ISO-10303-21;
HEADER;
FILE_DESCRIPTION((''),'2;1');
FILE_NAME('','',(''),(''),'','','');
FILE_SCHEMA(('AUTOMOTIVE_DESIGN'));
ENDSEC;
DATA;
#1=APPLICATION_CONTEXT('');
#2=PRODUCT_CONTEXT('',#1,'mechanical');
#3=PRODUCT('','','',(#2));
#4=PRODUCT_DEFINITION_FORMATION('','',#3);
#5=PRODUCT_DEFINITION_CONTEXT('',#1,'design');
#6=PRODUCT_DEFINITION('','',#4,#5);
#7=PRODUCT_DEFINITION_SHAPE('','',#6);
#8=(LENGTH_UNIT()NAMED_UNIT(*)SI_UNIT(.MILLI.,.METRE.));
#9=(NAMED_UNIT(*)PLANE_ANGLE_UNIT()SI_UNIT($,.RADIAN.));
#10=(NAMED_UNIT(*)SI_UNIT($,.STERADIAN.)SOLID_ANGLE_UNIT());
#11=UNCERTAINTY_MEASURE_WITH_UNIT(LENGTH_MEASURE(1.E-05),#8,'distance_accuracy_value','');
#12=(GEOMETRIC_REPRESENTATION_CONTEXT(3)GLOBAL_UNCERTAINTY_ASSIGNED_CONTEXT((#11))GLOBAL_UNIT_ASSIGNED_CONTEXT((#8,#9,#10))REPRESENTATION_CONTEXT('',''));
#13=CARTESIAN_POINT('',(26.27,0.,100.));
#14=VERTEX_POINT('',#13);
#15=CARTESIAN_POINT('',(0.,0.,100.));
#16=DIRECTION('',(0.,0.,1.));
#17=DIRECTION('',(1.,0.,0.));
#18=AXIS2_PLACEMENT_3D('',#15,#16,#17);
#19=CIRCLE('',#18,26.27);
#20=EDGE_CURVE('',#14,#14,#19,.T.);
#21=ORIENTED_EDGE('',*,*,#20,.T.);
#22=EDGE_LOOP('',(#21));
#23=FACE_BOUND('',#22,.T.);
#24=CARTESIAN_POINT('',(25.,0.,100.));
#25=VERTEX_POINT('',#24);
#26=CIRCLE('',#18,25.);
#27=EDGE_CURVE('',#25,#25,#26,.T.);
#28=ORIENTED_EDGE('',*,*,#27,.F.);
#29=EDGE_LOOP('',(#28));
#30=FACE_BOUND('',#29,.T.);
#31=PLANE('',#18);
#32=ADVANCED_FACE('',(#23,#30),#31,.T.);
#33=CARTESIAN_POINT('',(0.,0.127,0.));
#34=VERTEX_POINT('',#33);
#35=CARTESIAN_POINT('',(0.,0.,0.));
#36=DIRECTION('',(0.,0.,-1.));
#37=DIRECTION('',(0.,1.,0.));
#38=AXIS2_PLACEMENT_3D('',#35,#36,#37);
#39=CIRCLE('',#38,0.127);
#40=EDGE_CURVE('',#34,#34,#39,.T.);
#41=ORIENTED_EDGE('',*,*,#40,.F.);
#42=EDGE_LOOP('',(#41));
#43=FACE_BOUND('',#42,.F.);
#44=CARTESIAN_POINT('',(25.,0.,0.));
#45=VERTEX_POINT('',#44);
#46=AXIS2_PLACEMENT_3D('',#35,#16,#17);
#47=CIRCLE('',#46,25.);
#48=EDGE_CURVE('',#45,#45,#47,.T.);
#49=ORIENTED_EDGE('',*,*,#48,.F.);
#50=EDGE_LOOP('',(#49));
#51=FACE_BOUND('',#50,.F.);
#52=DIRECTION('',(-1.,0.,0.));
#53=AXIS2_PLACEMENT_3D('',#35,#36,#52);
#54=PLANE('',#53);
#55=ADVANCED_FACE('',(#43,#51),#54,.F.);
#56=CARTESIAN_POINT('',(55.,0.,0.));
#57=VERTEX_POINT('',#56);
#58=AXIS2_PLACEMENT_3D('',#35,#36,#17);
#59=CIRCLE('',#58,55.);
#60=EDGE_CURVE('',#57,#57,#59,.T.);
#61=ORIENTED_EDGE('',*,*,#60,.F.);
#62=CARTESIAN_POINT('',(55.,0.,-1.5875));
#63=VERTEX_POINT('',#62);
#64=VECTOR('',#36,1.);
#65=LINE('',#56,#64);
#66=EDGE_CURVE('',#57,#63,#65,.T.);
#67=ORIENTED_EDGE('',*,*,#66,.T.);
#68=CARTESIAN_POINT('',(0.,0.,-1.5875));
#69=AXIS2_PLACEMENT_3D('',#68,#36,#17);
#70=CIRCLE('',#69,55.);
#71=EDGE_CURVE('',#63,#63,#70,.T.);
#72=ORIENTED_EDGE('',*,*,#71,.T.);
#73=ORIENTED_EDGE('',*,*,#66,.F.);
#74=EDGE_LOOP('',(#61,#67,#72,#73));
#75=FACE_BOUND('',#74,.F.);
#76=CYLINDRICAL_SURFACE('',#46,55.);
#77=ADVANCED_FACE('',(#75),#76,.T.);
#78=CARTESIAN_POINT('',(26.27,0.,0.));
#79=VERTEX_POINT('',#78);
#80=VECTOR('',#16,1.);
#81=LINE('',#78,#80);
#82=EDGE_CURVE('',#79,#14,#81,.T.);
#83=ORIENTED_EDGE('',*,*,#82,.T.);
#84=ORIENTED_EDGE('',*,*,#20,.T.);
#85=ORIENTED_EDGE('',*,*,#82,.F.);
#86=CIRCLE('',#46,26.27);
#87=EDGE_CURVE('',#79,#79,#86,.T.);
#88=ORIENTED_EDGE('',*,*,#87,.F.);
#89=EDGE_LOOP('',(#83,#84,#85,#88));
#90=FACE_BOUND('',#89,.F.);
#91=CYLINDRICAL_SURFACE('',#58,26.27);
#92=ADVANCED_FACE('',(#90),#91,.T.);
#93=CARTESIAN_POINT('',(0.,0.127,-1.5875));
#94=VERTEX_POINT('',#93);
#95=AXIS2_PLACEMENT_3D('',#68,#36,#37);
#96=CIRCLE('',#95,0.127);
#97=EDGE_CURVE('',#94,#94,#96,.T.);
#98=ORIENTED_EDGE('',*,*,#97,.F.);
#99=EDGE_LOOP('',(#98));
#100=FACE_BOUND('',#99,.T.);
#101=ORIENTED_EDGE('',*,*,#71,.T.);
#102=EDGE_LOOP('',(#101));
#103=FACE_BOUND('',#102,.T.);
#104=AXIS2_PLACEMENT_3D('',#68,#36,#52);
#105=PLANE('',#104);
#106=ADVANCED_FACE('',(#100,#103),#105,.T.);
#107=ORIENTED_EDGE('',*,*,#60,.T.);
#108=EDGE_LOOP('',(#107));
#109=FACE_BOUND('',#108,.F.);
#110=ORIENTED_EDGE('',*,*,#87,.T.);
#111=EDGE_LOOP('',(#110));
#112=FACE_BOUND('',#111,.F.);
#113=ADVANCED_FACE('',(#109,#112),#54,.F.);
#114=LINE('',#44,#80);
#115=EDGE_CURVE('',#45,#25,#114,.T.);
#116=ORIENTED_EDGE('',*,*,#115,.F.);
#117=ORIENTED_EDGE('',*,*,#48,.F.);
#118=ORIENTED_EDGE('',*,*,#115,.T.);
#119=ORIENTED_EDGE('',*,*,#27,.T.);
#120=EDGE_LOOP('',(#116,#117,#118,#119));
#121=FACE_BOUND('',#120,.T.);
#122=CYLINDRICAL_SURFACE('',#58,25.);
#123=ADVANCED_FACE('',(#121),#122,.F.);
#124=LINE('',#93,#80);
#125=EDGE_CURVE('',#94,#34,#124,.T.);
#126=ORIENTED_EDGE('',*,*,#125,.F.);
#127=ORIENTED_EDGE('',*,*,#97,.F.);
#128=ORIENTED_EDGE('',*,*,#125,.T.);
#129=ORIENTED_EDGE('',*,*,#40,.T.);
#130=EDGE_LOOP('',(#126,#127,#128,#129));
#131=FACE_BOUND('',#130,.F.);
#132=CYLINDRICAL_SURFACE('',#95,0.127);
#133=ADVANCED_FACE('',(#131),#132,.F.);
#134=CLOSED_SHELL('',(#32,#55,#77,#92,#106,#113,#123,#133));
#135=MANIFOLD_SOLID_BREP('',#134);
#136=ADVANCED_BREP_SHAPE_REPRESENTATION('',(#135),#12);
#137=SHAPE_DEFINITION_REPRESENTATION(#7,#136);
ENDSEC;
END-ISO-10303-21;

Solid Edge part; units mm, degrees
sketch "Sketch1" plane through (0, 0, 0) normal (0, 0, 1) x (1, 0, 0)
  circle A0 centre (0, 0) radius 25
  circle A1 centre (0, 0) radius 26.27
  dimension "D1" = 50
  dimension "D2" = 1.27
extrude "Protrusion1" add sketch "Sketch1" along normal blind 100
sketch "Sketch2" plane through (0, 0, 0) normal (0, 0, -1) x (1, 0, 0)
  circle A0 centre (0, 0) radius 55
extrude "ExtrudedProtrusion_2" add sketch "Sketch2" along normal blind 1.5875
sketch "Sketch3" plane through (0, 0, -1.5875) normal (0, 0, -1) x (0, 1, 0)
  circle A0 centre (0, 0) radius 0.127
extrude "Cutout1" cut sketch "Sketch3" against normal through all
